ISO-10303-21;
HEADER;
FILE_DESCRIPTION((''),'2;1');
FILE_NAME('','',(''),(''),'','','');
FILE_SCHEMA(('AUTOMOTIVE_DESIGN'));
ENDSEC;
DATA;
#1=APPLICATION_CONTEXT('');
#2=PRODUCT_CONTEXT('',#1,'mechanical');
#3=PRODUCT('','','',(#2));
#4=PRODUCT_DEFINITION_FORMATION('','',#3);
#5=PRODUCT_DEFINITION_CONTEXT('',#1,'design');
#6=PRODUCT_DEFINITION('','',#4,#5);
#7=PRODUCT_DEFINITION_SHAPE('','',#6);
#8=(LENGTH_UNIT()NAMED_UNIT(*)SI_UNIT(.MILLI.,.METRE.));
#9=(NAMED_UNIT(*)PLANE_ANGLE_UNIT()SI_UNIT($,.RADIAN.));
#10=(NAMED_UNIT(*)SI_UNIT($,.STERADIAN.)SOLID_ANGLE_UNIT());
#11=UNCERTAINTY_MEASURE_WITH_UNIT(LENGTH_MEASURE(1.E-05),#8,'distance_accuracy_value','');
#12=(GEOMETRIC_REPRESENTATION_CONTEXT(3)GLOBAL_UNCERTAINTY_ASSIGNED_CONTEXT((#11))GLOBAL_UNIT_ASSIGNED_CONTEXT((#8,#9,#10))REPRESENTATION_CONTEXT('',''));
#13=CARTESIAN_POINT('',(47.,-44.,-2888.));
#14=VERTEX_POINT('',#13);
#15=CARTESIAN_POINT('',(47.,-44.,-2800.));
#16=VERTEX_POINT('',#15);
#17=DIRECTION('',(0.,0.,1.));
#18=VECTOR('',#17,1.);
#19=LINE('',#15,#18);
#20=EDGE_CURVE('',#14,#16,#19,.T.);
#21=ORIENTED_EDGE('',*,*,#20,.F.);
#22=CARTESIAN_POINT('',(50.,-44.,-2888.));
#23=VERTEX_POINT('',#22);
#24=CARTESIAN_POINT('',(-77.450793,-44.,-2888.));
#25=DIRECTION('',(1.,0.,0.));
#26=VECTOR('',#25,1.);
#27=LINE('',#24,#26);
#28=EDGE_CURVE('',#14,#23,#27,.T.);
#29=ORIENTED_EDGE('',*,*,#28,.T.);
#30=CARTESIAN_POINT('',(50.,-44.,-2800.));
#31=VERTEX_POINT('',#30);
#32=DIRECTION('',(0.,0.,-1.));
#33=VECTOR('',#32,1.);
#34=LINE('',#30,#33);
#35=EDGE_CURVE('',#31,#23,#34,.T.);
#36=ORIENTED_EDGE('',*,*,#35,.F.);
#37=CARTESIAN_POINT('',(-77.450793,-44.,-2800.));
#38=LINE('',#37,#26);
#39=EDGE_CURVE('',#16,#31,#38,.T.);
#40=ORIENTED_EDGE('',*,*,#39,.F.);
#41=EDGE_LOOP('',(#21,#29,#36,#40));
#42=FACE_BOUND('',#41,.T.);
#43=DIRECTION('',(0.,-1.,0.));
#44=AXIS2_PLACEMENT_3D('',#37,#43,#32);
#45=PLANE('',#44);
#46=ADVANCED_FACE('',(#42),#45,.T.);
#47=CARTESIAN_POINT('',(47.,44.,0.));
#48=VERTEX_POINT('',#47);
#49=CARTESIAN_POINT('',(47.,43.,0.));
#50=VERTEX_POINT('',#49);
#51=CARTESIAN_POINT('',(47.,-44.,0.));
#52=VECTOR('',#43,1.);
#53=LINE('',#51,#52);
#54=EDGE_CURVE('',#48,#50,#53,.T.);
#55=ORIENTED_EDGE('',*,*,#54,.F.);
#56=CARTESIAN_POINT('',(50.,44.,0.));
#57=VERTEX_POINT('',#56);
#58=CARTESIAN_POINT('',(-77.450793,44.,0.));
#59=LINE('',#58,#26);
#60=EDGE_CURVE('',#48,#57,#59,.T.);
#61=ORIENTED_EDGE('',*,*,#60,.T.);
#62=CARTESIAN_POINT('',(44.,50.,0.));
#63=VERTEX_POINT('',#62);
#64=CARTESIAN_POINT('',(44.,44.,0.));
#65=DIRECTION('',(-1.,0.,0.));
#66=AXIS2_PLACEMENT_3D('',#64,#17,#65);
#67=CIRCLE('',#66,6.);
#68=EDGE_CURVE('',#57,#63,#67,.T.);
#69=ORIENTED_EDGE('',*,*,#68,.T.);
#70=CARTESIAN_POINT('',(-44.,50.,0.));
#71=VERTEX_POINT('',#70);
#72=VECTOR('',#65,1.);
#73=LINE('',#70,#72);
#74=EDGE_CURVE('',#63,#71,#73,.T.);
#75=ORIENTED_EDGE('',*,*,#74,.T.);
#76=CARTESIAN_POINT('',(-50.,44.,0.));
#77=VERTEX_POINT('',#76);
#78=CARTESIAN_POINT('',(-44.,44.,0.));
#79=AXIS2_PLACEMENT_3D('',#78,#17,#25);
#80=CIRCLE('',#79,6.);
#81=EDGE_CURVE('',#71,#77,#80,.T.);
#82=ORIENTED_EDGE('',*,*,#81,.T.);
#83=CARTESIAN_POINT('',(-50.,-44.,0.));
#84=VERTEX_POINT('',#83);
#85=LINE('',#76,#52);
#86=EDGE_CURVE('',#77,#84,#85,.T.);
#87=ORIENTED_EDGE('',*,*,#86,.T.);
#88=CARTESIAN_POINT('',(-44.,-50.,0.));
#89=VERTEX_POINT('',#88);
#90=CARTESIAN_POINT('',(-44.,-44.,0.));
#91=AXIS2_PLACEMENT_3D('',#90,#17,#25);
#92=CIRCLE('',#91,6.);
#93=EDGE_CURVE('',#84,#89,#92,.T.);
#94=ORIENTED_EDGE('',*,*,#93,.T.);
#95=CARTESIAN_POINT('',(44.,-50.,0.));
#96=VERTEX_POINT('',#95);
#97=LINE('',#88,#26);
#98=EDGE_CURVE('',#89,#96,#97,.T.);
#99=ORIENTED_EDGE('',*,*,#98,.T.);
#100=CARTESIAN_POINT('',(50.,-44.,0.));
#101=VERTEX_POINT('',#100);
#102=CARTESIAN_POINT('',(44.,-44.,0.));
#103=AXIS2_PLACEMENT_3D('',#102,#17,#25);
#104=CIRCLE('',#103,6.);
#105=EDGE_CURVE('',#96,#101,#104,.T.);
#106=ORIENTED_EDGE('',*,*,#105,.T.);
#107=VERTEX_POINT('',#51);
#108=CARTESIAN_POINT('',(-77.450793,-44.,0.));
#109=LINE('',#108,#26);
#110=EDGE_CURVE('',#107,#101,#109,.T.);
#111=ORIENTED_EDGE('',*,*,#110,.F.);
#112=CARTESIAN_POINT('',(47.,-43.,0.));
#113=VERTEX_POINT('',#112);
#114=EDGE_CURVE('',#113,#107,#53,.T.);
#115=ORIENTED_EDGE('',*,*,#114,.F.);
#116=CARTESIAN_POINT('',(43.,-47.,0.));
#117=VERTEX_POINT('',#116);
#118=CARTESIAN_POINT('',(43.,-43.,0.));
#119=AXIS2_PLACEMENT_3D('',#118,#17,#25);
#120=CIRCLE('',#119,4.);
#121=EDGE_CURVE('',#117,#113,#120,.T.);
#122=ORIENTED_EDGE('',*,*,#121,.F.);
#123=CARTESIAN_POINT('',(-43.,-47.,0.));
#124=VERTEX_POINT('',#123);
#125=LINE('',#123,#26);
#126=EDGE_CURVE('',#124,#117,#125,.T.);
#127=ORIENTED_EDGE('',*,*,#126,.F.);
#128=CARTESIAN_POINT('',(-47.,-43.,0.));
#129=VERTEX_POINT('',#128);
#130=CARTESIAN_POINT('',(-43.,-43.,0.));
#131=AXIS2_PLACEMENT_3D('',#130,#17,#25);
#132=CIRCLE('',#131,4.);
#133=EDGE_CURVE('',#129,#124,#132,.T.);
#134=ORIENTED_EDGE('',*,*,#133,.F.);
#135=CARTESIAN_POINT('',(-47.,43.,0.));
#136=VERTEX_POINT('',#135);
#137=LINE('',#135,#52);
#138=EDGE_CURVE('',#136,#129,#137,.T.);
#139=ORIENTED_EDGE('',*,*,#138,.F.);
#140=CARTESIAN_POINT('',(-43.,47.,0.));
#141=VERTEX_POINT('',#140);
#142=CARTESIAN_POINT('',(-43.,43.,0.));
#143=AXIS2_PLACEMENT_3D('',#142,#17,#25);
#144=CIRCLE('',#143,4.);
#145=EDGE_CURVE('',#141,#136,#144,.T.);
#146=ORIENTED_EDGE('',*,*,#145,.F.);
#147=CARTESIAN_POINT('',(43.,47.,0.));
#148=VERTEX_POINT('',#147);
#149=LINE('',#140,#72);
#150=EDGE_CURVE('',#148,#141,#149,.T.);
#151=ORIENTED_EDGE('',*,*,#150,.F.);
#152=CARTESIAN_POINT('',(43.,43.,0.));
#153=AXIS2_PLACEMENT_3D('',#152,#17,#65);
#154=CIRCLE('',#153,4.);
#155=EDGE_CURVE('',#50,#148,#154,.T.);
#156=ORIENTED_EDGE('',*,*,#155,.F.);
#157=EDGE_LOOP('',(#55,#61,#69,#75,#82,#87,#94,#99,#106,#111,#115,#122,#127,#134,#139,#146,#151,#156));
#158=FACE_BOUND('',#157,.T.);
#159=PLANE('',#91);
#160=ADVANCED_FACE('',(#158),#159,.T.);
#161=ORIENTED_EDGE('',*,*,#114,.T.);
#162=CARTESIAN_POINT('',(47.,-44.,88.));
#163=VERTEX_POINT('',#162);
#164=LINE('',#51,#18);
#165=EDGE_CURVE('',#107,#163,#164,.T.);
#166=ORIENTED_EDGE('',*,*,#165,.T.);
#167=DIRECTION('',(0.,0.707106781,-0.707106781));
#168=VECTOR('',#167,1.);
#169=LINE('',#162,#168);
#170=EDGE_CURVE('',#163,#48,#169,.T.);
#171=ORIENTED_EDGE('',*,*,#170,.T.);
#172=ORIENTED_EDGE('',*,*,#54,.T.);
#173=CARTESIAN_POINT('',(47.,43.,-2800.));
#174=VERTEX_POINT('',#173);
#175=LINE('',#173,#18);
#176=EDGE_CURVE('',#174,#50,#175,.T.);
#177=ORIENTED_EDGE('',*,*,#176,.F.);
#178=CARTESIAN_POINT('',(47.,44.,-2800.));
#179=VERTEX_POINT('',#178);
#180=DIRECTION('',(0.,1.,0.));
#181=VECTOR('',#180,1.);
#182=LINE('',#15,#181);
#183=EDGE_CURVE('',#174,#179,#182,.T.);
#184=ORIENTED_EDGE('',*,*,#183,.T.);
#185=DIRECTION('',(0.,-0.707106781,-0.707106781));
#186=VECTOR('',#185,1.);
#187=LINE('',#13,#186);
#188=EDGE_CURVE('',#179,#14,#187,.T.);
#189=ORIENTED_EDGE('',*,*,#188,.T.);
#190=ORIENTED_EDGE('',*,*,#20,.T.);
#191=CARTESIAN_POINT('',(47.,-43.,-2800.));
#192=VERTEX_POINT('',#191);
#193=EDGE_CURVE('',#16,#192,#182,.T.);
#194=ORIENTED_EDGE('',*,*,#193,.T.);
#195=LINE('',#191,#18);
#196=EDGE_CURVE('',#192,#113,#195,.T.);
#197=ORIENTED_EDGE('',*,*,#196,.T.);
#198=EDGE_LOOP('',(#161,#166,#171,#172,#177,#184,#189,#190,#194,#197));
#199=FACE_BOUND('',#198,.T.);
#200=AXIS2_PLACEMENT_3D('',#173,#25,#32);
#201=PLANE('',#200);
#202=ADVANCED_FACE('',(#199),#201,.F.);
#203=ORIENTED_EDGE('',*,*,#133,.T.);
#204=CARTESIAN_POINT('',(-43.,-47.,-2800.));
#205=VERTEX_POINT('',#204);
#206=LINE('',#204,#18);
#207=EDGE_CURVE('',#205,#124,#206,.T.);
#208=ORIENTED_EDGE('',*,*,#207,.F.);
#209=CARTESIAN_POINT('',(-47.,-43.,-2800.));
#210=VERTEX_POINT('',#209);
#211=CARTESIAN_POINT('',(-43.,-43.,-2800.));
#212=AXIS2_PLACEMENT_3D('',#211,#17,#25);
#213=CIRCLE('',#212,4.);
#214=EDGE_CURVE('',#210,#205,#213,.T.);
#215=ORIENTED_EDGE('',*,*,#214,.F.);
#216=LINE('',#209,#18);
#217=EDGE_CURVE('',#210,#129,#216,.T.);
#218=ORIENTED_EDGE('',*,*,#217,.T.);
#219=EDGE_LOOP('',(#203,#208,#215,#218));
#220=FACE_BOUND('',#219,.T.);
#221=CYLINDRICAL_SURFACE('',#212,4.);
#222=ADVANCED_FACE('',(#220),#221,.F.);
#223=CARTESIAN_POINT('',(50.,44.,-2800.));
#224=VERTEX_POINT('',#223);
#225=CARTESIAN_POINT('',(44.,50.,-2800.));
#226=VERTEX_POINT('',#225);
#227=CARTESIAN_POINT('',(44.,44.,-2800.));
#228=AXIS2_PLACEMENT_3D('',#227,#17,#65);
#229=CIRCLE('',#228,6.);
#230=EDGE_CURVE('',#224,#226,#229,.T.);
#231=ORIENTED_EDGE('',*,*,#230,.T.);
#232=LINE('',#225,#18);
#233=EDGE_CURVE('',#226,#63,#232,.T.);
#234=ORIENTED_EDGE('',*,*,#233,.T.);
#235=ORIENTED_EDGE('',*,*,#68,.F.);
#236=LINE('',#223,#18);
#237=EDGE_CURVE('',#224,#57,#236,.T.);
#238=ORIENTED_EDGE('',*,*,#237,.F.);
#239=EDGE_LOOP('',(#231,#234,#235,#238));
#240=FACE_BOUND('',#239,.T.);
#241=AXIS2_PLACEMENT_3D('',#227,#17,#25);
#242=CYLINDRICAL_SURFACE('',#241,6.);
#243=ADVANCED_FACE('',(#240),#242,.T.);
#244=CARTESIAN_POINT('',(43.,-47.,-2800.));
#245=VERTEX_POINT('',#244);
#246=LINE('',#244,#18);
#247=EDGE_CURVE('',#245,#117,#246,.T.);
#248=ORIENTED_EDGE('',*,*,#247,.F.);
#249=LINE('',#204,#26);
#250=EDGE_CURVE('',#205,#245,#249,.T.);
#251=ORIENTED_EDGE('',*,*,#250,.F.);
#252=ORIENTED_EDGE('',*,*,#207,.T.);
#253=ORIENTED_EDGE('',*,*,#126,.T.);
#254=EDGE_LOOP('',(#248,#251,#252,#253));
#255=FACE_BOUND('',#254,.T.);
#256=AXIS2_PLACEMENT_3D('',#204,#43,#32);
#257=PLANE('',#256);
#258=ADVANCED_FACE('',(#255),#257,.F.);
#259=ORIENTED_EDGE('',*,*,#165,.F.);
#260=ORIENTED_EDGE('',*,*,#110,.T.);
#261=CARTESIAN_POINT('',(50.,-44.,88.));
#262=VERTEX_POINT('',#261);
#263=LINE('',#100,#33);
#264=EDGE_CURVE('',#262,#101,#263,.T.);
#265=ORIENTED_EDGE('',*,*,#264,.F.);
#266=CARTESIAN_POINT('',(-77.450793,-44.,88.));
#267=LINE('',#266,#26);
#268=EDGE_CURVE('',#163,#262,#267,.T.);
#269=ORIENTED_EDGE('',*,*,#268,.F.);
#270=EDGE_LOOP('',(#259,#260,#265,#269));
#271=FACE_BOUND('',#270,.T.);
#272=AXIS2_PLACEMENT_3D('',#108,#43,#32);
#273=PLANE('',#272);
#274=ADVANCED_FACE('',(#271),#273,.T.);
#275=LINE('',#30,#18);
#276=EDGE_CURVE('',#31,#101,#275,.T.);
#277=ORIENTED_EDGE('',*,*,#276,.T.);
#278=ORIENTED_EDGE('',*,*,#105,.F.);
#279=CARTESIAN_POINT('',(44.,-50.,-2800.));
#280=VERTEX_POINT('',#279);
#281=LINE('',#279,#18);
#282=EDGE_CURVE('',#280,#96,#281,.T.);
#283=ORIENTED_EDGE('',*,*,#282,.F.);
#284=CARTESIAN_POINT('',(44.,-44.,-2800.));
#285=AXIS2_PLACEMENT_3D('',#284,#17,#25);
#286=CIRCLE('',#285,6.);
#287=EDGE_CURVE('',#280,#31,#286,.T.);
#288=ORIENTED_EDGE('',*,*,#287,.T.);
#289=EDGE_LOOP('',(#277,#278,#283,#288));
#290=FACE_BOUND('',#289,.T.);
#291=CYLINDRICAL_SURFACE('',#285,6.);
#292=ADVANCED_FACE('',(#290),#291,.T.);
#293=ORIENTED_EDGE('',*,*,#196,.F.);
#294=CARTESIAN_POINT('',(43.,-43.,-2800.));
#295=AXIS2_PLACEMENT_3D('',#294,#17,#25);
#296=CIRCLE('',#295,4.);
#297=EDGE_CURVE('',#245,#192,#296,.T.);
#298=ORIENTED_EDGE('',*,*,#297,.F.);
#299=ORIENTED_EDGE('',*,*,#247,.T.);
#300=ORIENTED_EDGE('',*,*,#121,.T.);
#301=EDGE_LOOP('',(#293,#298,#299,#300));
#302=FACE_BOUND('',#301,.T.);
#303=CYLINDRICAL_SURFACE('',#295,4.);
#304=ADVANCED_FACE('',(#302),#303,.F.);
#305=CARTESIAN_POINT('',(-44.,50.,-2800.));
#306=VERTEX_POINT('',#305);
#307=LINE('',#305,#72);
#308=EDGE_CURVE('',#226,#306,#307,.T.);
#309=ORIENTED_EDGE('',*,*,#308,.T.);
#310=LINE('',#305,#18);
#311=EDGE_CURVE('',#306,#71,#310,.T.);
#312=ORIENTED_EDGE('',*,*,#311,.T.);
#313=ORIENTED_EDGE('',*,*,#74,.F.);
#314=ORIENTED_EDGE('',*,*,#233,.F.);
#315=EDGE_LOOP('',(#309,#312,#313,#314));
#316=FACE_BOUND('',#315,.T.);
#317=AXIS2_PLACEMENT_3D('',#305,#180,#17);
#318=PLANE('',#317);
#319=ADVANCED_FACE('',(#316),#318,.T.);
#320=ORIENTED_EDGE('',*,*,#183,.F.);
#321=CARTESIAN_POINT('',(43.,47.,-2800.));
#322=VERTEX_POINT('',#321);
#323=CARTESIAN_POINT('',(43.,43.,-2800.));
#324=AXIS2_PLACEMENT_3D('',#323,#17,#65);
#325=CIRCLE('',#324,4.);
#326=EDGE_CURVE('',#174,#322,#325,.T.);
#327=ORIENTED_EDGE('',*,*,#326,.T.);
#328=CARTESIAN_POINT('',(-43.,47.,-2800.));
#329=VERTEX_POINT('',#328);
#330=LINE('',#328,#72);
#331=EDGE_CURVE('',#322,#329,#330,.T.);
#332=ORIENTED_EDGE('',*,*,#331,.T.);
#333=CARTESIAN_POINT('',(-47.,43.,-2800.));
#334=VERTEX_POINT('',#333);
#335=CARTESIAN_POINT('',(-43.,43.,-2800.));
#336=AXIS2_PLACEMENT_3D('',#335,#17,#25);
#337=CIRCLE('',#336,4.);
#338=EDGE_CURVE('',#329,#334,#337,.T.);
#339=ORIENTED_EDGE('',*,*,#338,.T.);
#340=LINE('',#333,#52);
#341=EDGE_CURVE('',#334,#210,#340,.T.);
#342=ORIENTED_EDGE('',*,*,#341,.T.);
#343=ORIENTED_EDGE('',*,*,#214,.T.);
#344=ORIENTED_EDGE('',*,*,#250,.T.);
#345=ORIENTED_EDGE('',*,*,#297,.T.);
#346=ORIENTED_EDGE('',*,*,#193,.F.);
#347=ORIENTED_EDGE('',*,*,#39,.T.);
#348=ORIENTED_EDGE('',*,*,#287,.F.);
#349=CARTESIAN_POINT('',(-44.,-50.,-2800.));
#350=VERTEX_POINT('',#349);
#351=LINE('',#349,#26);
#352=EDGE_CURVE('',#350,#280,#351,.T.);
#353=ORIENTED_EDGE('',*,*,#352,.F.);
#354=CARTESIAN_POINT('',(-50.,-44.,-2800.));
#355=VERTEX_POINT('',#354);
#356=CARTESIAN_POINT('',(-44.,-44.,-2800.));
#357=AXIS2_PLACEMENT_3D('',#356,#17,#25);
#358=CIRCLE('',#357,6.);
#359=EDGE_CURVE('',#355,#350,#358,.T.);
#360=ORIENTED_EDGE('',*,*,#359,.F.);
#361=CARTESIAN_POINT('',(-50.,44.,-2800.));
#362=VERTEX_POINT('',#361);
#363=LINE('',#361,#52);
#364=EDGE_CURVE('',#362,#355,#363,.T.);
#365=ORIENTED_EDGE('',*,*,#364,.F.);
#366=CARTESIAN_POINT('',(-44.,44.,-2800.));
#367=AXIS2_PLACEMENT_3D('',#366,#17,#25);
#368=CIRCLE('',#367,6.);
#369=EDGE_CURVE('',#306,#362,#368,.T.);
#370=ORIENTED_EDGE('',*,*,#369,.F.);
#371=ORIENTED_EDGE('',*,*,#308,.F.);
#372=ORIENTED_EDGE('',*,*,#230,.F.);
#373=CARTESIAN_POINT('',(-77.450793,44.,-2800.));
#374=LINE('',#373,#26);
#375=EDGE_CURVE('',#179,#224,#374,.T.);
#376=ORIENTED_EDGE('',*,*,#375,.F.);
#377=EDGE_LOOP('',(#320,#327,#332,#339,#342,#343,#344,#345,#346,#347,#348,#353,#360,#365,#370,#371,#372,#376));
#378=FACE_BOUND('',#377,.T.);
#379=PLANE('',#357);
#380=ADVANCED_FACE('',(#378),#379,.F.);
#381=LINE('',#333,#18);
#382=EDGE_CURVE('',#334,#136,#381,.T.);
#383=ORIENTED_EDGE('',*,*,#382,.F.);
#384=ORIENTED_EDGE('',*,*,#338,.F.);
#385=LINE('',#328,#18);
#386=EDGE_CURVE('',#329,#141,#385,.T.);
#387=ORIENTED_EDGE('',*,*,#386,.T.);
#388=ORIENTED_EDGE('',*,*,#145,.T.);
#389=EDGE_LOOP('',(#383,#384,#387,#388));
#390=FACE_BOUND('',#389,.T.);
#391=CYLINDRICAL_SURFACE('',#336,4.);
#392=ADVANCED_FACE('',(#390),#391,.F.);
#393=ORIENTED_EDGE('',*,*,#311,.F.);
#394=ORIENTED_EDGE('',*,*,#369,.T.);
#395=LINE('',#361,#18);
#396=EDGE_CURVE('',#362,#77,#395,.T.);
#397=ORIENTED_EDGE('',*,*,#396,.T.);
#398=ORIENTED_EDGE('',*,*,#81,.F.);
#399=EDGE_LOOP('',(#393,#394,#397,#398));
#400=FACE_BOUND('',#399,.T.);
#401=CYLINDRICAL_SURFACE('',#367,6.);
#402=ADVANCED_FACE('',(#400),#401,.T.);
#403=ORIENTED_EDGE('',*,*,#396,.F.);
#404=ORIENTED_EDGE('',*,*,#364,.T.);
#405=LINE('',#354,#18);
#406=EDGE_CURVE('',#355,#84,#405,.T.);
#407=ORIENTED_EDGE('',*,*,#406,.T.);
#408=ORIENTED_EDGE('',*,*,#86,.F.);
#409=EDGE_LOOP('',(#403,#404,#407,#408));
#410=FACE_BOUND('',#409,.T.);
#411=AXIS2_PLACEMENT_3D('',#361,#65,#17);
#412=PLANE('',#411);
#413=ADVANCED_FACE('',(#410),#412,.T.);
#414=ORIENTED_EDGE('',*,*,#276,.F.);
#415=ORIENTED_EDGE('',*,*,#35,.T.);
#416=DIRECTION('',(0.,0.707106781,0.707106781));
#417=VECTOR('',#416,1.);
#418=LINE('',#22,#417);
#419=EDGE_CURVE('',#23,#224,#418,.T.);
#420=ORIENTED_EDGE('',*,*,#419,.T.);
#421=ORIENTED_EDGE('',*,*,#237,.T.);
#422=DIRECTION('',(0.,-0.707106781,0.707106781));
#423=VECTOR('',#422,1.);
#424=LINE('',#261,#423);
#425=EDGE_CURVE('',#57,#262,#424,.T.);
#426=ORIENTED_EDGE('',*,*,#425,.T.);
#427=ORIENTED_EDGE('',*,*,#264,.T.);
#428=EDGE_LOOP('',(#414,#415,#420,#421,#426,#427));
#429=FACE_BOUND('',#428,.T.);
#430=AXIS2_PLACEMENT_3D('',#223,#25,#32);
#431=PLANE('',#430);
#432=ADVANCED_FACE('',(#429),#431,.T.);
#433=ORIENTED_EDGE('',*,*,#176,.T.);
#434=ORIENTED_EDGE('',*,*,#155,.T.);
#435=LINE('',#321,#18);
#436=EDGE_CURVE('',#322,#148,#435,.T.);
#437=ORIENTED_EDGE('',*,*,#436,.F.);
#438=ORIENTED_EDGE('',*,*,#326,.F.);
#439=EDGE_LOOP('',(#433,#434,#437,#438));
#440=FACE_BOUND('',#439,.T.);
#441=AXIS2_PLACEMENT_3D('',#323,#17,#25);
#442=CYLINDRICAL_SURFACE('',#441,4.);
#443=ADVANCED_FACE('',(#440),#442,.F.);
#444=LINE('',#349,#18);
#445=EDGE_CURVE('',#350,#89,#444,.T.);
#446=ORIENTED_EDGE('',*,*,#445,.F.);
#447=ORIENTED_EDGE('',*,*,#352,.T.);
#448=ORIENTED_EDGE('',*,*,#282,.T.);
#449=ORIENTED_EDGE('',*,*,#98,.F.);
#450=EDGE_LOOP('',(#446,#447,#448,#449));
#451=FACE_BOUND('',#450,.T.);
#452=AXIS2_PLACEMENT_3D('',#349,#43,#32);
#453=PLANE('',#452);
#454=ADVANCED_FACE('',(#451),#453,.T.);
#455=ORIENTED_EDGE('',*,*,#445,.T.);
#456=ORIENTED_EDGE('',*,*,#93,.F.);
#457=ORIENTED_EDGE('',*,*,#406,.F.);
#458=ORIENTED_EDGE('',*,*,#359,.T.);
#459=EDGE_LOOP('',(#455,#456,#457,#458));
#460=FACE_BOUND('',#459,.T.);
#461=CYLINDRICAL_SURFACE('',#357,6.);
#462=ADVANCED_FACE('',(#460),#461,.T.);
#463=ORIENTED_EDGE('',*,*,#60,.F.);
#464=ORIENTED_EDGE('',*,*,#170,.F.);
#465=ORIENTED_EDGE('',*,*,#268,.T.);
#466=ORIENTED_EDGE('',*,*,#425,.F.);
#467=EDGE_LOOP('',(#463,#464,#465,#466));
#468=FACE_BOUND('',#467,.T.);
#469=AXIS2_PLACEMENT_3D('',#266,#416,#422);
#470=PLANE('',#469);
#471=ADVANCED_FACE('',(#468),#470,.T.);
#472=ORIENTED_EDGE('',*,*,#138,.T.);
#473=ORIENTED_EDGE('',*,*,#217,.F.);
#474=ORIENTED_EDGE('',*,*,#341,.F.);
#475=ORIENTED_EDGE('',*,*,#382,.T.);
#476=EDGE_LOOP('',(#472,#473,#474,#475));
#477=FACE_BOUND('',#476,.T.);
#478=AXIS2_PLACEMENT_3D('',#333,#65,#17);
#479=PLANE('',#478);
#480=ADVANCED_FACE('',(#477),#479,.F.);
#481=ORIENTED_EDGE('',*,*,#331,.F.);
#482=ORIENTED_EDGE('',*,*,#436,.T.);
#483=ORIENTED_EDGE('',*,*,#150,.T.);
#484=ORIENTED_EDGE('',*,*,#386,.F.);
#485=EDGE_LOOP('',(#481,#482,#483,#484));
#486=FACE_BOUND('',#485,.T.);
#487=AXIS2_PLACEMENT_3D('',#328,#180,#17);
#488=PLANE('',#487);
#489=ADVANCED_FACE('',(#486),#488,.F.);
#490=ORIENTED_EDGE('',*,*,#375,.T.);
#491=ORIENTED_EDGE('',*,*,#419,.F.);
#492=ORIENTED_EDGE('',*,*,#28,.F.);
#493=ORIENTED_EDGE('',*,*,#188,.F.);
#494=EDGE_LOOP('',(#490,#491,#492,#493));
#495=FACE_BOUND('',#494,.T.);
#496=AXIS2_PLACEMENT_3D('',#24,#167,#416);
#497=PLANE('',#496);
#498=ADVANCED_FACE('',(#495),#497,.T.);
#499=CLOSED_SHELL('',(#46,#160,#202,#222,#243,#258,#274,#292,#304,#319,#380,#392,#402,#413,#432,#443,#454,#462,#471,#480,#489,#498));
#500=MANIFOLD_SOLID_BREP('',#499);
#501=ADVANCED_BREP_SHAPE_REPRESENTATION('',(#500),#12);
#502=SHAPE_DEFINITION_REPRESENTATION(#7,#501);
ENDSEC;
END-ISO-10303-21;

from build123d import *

# Parameters (mm, degrees)
EXTRUDE_1_DEPTH = 2800
EXTRUDE_2_DEPTH = 3


with BuildPart() as part:
    # Эскиз1 → Бобышка-Вытянуть1 (new body)
    with BuildSketch(Plane.XY):
        with BuildLine():
            Line((-44, 50), (44, 50))
            ThreePointArc((44, 50), (48.242640687, 48.242640687), (50, 44))
            Line((50, 44), (50, -44))
            ThreePointArc((50, -44), (48.242640687, -48.242640687), (44, -50))
            Line((44, -50), (-44, -50))
            ThreePointArc((-44, -50), (-48.242640687, -48.242640687), (-50, -44))
            Line((-50, -44), (-50, 44))
            ThreePointArc((-50, 44), (-48.242640687, 48.242640687), (-44, 50))
        make_face()
        with BuildLine():
            Line((-43, 47), (43, 47))
            ThreePointArc((43, 47), (45.828427125, 45.828427125), (47, 43))
            Line((47, 43), (47, -43))
            ThreePointArc((47, -43), (45.828427125, -45.828427125), (43, -47))
            Line((43, -47), (-43, -47))
            ThreePointArc((-43, -47), (-45.828427125, -45.828427125), (-47, -43))
            Line((-47, -43), (-47, 43))
            ThreePointArc((-47, 43), (-45.828427125, 45.828427125), (-43, 47))
        make_face(mode=Mode.SUBTRACT)
    extrude(amount=-EXTRUDE_1_DEPTH)

    # Эскиз2 → Бобышка-Вытянуть2 (add)
    with BuildSketch(Plane(origin=(50, 0, 0), x_dir=(0, 0, -1), z_dir=(1, 0, 0))):
        Polygon((0, -44), (0, 44), (-88, -44), align=None)
        Polygon((2800, -44), (2800, 44), (2888, -44), align=None)
    extrude(amount=-EXTRUDE_2_DEPTH)


solid = part.part
